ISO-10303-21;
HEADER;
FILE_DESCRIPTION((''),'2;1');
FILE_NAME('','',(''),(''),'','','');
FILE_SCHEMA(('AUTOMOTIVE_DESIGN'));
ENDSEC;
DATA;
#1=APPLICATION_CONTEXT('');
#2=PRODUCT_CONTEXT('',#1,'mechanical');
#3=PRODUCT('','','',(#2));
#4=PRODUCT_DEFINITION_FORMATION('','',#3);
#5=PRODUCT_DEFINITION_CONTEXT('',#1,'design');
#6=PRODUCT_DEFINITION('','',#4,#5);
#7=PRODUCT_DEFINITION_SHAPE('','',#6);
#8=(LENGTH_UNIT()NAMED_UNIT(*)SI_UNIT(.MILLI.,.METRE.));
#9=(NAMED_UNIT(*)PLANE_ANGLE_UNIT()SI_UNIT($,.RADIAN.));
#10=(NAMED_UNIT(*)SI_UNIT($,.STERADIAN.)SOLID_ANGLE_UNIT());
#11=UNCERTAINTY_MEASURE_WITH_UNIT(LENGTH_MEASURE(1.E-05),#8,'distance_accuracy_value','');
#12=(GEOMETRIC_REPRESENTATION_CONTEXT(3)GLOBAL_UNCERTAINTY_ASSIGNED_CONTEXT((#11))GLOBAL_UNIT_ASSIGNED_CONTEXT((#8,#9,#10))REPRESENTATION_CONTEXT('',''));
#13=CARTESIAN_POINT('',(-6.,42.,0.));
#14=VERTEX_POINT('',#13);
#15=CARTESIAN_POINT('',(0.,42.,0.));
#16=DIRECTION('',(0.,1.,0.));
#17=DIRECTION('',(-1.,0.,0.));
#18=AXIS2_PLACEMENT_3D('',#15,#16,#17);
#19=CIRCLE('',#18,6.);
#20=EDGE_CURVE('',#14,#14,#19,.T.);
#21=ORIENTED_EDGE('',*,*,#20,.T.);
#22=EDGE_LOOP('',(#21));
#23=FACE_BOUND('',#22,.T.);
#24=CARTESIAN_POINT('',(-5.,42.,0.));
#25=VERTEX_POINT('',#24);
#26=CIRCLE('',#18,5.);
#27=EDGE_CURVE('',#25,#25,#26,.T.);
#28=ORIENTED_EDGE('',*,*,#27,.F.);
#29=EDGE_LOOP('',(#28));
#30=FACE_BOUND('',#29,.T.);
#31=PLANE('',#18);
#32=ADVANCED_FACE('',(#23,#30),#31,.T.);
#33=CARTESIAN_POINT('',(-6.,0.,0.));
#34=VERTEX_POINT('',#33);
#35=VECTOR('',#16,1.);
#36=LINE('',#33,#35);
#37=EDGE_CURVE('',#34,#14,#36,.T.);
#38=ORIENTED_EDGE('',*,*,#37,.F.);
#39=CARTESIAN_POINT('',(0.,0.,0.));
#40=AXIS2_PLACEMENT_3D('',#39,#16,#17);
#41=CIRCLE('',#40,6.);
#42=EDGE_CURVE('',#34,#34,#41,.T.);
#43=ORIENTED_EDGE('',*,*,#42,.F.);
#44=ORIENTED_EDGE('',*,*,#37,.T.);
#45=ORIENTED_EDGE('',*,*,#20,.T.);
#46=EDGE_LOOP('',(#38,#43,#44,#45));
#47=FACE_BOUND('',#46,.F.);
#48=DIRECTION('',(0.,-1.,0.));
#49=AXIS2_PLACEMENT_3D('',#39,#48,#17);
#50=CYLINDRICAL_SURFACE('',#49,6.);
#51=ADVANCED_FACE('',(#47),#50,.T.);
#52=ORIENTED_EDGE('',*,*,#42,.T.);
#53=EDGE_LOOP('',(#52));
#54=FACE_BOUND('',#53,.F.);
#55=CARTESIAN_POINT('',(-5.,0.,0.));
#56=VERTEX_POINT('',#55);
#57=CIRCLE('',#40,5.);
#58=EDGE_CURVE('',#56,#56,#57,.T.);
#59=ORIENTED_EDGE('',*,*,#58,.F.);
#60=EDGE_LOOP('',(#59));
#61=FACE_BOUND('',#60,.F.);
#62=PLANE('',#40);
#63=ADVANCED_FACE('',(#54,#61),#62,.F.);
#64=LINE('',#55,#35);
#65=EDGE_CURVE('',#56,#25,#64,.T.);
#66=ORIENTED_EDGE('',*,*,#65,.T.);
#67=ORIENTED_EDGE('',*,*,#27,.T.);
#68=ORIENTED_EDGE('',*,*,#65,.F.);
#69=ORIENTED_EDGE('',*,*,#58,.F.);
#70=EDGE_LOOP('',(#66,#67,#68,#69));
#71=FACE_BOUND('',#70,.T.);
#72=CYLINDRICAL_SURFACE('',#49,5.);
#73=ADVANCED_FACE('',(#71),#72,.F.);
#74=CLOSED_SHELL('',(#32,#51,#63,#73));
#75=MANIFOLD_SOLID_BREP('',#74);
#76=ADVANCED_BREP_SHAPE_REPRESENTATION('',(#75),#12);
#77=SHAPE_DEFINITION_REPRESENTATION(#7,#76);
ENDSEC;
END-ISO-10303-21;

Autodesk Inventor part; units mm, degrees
ref_plane "YZ Plane" through (0, 0, 0) normal (1, 0, 0) x (0, 1, 0)
ref_plane "XZ Plane" through (0, 0, 0) normal (0, 1, 0) x (-1, 0, 0)
ref_plane "XY Plane" through (0, 0, 0) normal (0, 0, 1) x (1, 0, 0)
sketch "Sketch1" plane through (0, 0, 0) normal (0, 1, 0) x (-1, 0, 0)
  line L0 (0, -8.4) -> (0, 8.4) construction
  line L1 (-8.4, 0) -> (8.4, 0) construction
  circle A0 centre (0, 0) radius 6
  circle A1 centre (0, 0) radius 5
  dimension "d0" = 12
  dimension "d1" = 10
extrude "Extrusion1" add sketch "Sketch1" along normal blind 42
properties part number "steering_kingpin_bearing_spacer" material "Steel, Mild"
